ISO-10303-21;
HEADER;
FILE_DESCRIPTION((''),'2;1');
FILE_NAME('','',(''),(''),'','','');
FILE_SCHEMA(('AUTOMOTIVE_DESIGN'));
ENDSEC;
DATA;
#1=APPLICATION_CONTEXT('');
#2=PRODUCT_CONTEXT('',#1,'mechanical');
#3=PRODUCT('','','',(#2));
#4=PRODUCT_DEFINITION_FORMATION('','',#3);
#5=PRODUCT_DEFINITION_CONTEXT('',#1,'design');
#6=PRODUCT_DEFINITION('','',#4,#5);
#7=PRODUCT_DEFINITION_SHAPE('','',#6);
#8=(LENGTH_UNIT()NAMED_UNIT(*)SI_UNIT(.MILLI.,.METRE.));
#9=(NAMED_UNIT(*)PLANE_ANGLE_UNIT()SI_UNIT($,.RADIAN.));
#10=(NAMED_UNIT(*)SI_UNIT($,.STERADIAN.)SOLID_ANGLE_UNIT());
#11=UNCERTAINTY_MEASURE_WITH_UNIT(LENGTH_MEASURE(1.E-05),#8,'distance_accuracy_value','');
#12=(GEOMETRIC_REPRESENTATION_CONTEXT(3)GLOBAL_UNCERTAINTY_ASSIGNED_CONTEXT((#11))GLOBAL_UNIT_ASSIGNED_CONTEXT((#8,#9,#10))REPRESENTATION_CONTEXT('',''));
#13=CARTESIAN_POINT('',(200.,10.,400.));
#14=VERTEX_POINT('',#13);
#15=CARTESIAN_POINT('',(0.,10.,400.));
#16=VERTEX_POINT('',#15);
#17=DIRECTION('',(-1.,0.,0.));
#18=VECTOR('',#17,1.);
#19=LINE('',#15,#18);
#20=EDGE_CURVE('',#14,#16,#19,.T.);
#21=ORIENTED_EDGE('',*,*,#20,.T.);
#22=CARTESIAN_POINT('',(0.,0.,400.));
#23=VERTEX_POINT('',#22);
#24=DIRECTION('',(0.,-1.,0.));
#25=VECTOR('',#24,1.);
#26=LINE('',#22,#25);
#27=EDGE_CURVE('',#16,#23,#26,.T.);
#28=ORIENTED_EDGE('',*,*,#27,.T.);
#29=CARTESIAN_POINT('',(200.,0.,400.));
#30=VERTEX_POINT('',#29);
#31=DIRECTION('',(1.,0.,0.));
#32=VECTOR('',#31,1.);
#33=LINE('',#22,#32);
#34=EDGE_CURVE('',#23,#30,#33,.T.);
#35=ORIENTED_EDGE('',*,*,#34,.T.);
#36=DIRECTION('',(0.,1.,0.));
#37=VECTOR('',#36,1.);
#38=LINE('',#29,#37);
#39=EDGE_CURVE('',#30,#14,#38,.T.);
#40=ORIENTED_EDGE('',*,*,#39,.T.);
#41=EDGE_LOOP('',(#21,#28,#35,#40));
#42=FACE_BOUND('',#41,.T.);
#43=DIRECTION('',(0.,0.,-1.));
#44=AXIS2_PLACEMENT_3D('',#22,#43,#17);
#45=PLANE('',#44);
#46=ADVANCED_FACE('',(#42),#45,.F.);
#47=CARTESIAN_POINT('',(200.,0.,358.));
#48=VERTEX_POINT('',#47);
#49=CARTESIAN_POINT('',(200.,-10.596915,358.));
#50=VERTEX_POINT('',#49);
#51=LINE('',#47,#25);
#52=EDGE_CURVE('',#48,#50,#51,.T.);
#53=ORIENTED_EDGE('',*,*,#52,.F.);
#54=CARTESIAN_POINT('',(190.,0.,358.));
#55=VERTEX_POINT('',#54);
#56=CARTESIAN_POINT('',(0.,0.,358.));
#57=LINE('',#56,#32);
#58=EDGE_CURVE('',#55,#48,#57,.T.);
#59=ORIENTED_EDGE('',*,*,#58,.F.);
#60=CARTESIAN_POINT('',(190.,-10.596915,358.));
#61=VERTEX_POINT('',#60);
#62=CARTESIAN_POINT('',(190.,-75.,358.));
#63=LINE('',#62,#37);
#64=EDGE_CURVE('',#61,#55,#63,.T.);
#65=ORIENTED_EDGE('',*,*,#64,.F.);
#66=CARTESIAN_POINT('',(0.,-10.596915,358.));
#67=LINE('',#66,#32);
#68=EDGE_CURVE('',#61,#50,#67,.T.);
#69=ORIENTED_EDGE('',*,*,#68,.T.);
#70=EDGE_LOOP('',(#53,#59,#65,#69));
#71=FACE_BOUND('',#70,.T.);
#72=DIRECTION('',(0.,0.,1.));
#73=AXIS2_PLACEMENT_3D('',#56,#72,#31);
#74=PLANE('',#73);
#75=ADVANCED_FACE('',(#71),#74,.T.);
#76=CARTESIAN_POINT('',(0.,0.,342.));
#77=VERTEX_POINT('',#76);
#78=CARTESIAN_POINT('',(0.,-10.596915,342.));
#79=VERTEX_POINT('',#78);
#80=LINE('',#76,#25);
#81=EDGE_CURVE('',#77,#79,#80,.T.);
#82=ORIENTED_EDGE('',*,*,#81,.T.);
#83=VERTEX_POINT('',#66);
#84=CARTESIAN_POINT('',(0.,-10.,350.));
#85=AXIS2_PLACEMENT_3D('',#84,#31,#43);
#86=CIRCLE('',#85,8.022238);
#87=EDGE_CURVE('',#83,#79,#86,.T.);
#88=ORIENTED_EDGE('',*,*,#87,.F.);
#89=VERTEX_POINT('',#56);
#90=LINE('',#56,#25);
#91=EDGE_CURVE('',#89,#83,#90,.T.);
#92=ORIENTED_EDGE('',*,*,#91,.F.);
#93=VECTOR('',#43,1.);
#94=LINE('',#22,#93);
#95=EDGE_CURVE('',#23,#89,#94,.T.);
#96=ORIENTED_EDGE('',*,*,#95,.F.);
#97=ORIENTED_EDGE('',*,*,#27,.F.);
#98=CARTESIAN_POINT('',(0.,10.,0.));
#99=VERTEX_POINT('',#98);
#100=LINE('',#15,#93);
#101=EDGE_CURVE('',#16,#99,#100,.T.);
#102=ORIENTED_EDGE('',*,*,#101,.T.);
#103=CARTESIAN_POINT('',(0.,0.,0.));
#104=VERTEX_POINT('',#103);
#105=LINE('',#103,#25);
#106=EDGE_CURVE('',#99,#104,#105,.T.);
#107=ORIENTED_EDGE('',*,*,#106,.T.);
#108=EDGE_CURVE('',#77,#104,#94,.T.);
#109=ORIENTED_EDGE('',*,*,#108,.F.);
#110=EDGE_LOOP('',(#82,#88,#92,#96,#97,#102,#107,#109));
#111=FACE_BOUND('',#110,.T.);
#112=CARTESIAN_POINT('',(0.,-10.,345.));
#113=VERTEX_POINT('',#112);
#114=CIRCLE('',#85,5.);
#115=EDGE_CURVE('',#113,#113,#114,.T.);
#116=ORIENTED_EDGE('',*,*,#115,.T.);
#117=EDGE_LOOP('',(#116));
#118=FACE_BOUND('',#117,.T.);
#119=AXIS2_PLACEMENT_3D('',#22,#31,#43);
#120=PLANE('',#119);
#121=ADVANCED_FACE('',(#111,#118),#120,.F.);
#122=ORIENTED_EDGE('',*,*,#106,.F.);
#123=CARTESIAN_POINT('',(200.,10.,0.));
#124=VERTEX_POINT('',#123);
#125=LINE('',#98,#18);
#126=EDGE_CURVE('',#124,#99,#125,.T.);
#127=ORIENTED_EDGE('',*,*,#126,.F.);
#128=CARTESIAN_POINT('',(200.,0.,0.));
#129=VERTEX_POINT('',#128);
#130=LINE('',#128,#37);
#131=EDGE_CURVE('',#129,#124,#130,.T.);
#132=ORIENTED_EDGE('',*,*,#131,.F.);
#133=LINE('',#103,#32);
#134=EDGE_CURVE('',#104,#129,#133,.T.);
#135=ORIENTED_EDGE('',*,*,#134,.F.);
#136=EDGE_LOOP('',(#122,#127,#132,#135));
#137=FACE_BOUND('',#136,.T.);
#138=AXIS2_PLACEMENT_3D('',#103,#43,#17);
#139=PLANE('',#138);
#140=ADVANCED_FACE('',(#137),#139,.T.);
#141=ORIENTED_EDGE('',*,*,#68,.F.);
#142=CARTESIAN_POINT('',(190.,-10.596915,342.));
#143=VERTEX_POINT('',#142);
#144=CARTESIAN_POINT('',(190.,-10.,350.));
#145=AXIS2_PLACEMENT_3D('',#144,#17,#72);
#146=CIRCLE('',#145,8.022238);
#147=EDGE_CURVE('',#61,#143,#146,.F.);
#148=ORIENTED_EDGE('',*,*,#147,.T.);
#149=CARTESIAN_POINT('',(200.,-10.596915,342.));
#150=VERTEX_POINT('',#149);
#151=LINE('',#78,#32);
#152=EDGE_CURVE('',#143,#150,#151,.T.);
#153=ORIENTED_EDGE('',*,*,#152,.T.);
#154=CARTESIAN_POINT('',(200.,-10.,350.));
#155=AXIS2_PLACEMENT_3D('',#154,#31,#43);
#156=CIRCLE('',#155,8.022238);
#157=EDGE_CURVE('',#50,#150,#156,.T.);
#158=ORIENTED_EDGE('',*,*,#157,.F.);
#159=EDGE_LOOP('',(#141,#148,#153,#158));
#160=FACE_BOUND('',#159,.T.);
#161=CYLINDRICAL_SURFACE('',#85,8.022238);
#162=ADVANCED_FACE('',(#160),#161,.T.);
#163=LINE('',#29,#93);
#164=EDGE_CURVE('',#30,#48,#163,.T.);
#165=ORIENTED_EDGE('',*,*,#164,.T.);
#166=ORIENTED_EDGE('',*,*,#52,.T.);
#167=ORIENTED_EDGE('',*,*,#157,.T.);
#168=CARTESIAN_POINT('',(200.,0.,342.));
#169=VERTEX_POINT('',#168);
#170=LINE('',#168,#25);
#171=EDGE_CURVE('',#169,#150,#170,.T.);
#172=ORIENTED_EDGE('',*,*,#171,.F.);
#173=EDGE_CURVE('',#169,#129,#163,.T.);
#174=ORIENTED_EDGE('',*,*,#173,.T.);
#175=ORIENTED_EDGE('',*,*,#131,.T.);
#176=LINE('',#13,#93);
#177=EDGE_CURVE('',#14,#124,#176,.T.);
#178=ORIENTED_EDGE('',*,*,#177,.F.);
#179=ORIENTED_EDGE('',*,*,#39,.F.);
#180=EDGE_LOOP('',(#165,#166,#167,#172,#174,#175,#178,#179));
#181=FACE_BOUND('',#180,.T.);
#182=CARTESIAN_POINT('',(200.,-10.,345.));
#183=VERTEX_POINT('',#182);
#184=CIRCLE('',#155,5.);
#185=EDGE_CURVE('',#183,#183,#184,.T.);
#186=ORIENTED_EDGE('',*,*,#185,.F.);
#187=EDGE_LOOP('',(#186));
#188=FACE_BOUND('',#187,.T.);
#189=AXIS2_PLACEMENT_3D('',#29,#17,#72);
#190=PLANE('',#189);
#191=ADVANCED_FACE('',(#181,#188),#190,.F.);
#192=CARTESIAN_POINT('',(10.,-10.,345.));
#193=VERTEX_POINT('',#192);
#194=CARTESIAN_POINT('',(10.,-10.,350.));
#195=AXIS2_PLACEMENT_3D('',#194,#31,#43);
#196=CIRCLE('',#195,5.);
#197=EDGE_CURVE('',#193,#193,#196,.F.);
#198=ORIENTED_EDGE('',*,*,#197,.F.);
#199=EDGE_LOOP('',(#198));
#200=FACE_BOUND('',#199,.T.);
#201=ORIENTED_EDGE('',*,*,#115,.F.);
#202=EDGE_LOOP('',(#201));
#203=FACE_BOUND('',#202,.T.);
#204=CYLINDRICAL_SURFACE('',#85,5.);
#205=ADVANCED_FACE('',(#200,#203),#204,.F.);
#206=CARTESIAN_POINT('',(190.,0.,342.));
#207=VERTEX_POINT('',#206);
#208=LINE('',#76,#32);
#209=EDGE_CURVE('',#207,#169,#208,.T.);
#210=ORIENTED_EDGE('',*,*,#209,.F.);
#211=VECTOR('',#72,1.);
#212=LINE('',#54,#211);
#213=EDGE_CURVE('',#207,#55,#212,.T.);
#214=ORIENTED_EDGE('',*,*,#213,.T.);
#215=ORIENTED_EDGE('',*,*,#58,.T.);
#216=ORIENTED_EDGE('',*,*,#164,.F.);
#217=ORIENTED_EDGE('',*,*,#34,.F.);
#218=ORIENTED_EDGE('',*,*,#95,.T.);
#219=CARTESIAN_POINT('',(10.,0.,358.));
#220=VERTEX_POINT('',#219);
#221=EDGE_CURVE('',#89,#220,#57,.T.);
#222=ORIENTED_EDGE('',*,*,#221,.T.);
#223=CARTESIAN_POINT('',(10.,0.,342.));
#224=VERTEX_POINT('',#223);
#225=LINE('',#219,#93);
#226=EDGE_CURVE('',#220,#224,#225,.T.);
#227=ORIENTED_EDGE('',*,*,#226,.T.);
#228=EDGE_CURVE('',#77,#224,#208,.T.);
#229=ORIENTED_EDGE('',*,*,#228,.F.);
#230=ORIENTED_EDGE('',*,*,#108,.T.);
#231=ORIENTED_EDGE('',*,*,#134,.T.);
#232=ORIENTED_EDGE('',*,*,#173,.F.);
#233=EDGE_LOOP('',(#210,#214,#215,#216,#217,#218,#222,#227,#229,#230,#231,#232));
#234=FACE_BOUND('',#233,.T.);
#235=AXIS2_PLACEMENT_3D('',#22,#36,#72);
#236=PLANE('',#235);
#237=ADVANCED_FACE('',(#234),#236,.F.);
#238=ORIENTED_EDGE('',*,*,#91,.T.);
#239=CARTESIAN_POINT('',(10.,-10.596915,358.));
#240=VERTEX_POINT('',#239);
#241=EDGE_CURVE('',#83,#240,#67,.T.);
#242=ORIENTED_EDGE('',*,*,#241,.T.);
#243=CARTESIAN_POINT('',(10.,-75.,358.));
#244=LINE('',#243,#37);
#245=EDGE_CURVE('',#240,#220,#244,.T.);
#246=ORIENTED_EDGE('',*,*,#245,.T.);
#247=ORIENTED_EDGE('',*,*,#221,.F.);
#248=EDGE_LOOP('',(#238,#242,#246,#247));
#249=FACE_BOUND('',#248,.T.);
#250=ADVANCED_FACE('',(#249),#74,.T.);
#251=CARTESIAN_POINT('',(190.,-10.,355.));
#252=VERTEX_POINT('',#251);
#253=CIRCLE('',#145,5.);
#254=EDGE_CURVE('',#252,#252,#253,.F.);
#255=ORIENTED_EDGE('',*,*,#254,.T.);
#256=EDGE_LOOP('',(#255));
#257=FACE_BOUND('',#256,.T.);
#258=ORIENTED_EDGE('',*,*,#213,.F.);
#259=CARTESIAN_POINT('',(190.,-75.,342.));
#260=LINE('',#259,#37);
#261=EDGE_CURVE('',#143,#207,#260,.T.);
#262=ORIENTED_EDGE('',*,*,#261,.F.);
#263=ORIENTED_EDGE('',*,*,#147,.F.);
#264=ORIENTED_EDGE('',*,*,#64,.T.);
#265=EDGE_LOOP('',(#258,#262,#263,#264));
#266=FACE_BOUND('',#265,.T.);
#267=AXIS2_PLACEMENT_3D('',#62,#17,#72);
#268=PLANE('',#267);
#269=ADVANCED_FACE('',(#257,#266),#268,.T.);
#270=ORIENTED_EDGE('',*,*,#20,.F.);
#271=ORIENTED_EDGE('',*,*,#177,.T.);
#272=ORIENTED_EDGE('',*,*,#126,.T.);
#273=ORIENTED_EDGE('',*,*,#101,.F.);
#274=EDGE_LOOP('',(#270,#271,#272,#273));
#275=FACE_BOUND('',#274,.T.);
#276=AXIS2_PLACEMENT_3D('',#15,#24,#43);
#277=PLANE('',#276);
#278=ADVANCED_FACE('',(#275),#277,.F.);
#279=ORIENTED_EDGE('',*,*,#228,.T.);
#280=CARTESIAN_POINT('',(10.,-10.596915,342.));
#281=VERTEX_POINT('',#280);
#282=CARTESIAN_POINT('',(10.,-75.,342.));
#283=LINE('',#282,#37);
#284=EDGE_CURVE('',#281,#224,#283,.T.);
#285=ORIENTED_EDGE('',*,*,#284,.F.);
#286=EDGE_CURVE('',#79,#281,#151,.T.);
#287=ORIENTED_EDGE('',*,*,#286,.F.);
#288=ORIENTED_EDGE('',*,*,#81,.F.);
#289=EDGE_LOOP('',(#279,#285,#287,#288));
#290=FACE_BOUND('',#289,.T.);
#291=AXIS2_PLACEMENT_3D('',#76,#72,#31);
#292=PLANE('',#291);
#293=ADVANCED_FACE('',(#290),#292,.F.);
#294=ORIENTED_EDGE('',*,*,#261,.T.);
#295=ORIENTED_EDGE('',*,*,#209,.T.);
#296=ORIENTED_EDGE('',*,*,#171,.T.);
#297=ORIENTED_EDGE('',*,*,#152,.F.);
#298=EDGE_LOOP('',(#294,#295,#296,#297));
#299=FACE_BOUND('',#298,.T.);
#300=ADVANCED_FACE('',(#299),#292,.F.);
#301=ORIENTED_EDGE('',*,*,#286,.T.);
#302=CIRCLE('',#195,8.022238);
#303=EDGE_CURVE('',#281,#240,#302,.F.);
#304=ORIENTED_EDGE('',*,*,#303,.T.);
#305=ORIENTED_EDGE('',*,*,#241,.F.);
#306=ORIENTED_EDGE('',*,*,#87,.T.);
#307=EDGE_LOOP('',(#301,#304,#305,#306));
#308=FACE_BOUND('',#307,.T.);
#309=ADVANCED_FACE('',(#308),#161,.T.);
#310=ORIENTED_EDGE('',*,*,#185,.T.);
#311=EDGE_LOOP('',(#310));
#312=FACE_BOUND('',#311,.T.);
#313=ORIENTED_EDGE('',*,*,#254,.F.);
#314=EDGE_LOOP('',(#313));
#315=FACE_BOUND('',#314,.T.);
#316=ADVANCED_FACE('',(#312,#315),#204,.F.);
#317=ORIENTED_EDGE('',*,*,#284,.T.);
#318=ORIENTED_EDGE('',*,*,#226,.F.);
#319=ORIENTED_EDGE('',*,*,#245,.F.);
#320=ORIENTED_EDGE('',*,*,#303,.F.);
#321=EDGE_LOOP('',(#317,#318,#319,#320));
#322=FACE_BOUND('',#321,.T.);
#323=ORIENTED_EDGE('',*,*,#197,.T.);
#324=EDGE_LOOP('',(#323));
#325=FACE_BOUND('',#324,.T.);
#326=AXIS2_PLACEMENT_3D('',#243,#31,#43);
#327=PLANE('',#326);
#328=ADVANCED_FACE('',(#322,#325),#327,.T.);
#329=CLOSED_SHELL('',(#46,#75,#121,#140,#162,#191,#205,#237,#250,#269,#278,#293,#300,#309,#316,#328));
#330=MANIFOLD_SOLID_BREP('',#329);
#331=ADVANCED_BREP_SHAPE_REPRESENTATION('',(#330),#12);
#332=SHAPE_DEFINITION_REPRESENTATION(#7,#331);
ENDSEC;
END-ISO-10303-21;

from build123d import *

# Parameters (mm, degrees)
SKETCH3_W           = 200
SKETCH3_H           = 10
BOSS_EXTRUDE1_DEPTH = 400
SKETCH4_R           = 5
BOSS_EXTRUDE2_DEPTH = 200
SKETCH5_W           = 180
SKETCH5_H           = 16
CUT_EXTRUDE1_DEPTH  = 75


with BuildPart() as part:
    # Sketch3 → Boss-Extrude1 (new body)
    with BuildSketch(Plane.XY):
        with Locations((100, 5)):
            Rectangle(SKETCH3_W, SKETCH3_H)
    extrude(amount=BOSS_EXTRUDE1_DEPTH)

    # Sketch4 → Boss-Extrude2 (add)
    with BuildSketch(Plane(origin=(200, 0, 0), x_dir=(0, 0, -1), z_dir=(1, 0, 0))):
        with BuildLine():
            Line((-342, 0), (-358, 0))
            Line((-358, 0), (-358, -9.403084831))
            Line((-358, -9.403084831), (-358, -10.596915169))
            ThreePointArc((-358, -10.596915169), (-350, -18.022238323), (-342, -10.596915169))
            Line((-342, -10.596915169), (-342, -9.403084831))
            Line((-342, -9.403084831), (-342, 0))
        make_face()
        with Locations((-350, -10)):
            Circle(SKETCH4_R, mode=Mode.SUBTRACT)
    extrude(amount=-BOSS_EXTRUDE2_DEPTH)

    # Sketch5 → Cut-Extrude1 (cut)
    with BuildSketch(Plane.XZ):
        with Locations((100, 350)):
            Rectangle(SKETCH5_W, SKETCH5_H)
    extrude(amount=CUT_EXTRUDE1_DEPTH, mode=Mode.SUBTRACT)


solid = part.part
